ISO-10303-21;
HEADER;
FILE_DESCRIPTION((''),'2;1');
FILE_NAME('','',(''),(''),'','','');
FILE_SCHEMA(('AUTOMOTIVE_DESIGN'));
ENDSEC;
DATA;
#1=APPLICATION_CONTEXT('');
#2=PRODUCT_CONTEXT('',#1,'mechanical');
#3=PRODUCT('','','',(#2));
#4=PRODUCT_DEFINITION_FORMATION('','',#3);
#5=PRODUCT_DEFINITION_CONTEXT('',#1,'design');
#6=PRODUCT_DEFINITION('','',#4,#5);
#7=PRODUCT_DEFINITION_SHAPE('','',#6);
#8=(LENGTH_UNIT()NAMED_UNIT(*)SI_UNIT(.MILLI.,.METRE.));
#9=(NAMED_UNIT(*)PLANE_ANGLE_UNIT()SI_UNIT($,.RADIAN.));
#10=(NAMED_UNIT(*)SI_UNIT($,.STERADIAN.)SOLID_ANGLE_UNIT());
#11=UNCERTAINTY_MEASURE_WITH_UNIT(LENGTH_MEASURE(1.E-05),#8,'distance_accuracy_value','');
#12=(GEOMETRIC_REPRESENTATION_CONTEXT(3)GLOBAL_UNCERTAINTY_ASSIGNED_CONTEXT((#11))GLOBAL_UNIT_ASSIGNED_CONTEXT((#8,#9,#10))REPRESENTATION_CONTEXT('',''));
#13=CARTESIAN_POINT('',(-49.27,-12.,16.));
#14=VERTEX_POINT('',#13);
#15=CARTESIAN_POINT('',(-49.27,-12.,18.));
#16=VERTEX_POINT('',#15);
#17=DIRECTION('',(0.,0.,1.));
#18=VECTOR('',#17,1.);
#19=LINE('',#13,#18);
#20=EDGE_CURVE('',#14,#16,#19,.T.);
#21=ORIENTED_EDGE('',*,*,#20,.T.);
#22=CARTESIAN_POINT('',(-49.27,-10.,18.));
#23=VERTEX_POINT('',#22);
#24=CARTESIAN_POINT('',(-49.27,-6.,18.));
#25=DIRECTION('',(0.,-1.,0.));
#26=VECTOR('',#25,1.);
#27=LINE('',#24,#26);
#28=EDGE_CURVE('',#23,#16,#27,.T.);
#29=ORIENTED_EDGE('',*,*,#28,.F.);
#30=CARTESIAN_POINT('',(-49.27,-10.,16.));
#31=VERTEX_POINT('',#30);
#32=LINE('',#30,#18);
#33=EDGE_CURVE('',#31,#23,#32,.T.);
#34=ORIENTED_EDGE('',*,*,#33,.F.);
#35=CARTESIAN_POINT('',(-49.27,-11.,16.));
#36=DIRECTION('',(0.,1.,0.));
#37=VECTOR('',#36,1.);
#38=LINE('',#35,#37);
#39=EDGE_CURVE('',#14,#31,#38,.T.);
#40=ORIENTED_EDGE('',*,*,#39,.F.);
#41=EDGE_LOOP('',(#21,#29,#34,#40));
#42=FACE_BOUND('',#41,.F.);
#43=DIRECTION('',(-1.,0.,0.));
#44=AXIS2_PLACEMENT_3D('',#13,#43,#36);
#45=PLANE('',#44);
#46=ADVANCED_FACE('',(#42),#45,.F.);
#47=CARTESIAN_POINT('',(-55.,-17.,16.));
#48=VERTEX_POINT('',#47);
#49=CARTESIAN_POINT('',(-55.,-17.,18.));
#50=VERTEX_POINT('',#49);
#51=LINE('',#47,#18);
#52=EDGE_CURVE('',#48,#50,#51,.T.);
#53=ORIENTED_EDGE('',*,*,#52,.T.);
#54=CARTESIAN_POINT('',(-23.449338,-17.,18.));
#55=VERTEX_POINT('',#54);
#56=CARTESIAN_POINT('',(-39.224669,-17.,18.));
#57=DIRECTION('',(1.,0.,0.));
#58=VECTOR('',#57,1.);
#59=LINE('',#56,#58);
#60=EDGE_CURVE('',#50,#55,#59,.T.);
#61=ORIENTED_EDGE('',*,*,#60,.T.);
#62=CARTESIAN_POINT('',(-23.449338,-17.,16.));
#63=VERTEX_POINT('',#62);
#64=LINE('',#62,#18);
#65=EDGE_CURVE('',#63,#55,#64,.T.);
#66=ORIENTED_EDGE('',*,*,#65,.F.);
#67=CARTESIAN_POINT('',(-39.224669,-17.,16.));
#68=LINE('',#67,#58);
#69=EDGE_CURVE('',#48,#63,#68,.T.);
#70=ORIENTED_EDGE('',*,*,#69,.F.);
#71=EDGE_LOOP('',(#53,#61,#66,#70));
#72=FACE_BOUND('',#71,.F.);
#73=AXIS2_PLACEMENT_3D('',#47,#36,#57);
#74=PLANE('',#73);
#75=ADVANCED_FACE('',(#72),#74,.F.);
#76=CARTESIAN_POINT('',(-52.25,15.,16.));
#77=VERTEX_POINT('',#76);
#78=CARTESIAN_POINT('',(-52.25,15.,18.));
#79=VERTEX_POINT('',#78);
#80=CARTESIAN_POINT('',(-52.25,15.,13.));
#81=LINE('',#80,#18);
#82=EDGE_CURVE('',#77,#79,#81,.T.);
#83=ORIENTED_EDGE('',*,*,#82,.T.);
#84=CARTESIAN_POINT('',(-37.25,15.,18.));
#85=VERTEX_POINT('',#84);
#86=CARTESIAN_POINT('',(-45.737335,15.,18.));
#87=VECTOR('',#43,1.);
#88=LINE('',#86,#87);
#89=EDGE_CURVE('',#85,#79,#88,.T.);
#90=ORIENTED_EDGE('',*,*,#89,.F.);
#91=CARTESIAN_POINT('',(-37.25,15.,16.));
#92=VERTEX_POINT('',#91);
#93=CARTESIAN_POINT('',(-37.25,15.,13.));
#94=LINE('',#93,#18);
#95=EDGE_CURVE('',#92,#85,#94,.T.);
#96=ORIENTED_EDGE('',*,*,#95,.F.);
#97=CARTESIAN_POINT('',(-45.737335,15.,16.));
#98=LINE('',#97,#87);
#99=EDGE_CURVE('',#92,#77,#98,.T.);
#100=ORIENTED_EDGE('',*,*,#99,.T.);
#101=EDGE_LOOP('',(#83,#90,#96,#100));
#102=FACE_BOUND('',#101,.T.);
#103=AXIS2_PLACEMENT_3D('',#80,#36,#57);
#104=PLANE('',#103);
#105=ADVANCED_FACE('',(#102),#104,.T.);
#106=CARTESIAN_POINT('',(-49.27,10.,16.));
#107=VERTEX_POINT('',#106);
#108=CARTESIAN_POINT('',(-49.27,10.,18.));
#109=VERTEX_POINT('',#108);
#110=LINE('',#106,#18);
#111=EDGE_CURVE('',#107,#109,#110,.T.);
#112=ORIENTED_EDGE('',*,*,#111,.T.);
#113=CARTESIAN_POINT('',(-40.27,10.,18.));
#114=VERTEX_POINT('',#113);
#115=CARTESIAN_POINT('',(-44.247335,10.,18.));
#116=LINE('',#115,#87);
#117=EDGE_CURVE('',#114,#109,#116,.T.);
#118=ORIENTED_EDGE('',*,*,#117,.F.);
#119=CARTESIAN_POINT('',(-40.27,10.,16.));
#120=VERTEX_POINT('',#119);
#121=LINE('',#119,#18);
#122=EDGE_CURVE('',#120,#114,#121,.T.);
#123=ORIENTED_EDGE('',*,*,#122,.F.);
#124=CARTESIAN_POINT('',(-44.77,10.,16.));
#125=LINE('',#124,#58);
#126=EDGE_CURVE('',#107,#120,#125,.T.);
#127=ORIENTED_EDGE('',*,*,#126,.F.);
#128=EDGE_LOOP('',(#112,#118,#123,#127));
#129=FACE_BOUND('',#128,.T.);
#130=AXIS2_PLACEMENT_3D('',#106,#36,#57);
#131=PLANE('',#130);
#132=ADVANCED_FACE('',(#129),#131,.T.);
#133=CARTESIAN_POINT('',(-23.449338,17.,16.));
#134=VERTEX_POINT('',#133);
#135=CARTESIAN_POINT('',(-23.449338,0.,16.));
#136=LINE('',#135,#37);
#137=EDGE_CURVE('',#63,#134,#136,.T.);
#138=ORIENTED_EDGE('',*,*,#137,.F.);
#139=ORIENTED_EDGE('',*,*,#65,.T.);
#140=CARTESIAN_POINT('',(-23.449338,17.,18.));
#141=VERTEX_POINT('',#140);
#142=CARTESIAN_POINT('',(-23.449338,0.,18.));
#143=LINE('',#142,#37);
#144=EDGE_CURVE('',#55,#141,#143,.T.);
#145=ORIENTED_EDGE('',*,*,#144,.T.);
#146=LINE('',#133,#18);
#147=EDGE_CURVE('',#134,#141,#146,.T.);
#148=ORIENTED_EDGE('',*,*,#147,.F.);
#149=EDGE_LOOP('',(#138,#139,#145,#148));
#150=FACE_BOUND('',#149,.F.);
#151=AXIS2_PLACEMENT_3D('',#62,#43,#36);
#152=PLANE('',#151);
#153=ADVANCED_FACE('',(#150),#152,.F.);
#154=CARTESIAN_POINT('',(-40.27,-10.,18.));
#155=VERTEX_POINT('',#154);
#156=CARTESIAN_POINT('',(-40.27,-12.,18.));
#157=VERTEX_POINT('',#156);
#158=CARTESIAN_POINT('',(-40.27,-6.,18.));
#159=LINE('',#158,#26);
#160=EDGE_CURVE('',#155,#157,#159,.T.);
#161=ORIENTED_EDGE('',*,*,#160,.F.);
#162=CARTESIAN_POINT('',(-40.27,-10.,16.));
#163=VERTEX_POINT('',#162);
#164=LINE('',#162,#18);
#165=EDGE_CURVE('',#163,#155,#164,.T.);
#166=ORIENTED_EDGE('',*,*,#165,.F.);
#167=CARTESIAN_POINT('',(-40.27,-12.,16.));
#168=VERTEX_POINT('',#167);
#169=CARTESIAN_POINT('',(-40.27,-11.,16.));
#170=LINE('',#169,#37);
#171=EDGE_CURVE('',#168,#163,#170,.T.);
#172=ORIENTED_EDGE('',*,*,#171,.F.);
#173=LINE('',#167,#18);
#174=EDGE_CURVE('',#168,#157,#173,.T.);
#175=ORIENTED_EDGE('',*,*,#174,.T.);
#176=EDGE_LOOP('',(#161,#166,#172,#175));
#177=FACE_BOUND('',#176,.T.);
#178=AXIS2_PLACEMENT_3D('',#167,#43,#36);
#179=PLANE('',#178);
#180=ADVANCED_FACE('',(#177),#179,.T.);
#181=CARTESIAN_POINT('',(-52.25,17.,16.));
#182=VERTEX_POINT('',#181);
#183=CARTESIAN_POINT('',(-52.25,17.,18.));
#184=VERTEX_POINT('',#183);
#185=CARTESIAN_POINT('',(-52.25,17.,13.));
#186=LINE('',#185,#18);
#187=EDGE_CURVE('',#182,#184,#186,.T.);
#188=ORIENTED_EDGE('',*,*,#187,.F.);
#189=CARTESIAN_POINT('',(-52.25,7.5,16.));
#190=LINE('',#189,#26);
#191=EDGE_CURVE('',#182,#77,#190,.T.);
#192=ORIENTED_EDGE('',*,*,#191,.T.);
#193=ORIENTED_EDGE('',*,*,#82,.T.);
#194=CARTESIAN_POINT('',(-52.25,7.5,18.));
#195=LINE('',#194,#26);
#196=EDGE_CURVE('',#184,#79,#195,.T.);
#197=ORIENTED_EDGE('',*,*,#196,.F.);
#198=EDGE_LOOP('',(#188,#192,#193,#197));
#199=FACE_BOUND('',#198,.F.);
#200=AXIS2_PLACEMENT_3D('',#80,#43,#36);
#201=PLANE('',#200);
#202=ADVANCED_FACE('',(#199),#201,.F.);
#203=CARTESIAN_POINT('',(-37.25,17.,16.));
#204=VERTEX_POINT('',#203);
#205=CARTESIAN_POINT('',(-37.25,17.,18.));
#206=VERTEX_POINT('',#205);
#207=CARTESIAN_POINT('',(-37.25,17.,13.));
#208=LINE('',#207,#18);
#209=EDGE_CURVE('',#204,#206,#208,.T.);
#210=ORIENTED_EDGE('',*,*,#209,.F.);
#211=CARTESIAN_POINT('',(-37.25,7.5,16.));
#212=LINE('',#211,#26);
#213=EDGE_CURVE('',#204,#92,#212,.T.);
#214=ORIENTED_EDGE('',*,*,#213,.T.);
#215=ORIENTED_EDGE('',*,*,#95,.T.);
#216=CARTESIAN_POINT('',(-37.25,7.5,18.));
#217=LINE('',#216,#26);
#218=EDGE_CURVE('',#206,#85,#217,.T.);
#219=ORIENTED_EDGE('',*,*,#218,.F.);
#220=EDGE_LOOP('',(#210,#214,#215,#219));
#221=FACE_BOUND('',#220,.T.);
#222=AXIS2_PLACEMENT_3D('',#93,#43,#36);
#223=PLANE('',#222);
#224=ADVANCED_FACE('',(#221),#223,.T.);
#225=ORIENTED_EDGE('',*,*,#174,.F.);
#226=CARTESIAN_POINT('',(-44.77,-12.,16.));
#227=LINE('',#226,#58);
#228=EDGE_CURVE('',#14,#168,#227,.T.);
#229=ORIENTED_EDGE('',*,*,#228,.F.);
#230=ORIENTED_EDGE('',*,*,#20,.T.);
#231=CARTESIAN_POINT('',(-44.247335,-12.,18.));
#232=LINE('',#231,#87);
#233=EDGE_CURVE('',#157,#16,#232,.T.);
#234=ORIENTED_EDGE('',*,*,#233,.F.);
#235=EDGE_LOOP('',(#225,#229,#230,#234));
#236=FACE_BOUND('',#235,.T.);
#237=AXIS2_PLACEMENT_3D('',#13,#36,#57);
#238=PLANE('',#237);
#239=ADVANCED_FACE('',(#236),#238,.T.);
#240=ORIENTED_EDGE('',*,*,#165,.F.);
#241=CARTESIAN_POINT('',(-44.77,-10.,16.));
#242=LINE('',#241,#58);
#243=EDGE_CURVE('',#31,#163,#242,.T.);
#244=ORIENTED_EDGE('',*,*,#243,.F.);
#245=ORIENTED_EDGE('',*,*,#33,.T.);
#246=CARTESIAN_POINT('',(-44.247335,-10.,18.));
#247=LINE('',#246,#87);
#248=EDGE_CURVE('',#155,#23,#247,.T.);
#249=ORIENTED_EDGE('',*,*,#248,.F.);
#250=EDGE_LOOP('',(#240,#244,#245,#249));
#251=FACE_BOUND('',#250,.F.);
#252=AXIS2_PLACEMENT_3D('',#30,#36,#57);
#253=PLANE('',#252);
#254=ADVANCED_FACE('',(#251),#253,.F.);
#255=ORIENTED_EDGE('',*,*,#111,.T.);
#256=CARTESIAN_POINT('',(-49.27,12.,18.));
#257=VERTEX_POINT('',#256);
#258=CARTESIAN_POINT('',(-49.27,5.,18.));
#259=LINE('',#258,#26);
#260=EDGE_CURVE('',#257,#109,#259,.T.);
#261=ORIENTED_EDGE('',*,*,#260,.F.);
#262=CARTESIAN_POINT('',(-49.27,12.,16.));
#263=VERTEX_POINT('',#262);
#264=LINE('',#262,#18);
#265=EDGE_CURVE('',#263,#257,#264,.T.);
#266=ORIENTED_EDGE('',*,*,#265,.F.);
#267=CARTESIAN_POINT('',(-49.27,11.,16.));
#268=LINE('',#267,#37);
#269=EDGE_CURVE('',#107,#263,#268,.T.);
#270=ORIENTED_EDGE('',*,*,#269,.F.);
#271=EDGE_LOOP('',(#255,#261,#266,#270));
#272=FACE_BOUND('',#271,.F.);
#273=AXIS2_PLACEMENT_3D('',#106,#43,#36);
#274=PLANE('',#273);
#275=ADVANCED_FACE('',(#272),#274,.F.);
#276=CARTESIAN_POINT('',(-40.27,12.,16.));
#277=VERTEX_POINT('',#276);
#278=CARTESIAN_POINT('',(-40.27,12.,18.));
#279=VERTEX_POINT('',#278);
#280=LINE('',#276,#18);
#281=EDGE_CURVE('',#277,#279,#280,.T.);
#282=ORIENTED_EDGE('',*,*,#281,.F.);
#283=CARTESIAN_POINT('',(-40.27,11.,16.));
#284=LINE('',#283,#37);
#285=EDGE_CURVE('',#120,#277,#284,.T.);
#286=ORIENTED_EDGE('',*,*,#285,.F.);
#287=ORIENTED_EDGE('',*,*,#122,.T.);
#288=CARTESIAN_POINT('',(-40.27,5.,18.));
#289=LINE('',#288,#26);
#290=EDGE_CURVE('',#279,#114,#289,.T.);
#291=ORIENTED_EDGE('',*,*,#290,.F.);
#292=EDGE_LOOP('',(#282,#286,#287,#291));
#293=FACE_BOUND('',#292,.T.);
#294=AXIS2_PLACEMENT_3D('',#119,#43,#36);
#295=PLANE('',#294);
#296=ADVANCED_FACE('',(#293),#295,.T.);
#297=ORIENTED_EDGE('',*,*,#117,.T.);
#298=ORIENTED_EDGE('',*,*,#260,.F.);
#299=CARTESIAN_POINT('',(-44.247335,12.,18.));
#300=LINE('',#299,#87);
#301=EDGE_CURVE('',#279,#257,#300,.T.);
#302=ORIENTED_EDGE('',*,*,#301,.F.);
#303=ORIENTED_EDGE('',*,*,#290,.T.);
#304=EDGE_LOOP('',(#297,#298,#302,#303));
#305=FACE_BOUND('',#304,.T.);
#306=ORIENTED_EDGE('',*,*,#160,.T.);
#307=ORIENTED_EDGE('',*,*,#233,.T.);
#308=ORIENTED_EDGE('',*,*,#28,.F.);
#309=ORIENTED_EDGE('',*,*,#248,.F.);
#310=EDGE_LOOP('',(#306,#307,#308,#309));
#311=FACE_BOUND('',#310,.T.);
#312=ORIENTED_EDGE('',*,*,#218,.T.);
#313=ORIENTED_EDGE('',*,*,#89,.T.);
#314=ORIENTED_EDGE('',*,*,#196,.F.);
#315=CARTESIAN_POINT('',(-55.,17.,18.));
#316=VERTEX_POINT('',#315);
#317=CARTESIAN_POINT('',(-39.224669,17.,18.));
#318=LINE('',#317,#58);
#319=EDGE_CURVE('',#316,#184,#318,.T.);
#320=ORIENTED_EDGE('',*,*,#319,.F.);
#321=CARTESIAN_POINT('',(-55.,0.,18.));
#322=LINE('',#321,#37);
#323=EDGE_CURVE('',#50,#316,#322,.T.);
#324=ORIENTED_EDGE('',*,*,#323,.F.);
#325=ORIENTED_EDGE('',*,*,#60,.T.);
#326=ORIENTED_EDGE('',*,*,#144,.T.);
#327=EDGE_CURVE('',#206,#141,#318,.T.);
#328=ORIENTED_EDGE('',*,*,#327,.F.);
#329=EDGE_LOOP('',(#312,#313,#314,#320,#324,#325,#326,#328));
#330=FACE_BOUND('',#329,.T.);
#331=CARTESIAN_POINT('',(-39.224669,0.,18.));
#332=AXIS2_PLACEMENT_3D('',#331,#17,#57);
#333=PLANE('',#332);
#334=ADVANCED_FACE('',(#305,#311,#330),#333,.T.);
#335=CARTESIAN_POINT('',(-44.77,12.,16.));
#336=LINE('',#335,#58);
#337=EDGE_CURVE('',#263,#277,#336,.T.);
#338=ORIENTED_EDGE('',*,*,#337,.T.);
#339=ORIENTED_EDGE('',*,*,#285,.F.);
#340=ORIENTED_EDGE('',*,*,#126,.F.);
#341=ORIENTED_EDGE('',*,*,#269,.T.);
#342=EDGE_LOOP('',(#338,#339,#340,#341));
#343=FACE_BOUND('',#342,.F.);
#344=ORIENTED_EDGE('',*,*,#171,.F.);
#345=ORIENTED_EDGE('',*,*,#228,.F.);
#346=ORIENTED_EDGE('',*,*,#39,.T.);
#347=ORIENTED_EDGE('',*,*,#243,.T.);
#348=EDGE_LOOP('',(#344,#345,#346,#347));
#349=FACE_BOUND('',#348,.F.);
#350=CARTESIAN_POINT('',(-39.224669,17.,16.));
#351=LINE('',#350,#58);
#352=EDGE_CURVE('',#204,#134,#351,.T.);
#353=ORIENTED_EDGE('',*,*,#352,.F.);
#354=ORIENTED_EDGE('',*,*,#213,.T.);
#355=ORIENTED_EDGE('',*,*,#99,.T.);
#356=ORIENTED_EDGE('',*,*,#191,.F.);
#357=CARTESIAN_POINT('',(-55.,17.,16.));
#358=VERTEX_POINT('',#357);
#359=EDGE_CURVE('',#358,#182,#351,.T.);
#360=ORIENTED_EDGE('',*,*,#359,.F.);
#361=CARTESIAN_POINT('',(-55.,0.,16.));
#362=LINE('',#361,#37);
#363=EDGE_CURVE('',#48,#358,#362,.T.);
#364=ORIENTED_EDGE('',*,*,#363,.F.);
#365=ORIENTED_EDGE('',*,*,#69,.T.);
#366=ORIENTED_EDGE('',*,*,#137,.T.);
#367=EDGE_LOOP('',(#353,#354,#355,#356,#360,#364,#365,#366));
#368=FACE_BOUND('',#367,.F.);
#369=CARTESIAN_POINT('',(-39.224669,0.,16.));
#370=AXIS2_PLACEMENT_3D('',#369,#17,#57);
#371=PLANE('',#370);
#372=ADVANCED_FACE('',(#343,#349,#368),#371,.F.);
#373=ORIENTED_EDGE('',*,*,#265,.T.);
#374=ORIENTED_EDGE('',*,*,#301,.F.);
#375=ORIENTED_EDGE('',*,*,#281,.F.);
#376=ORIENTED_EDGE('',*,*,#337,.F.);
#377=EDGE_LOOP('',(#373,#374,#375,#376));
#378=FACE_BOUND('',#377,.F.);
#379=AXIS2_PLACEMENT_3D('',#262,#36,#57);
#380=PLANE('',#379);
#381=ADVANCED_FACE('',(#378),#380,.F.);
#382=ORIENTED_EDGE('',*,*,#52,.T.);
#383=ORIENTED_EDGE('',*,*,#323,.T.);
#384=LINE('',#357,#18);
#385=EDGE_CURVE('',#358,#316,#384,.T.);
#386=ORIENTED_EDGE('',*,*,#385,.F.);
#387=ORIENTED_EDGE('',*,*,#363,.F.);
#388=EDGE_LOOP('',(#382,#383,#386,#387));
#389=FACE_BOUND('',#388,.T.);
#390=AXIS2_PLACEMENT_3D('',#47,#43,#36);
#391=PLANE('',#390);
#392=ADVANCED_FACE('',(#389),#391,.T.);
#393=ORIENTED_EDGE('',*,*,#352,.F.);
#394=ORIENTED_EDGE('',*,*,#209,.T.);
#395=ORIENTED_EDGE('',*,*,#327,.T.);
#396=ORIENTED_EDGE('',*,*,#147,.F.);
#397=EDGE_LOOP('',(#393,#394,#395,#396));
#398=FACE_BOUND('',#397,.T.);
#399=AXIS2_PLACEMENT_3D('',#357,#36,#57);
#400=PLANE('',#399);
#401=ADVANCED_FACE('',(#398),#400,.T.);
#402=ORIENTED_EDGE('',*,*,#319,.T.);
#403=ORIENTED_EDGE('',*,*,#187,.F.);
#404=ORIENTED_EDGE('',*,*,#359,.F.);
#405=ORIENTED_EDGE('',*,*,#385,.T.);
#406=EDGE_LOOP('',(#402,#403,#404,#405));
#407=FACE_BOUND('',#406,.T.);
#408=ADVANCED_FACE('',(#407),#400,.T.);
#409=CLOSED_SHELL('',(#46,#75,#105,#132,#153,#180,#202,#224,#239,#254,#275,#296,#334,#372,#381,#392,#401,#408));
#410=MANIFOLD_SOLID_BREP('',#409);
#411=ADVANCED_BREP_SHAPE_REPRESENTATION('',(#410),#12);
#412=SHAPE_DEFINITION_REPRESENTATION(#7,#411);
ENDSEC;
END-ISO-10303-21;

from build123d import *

# Parameters (mm, degrees)
SKETCH328_W      = 15
SKETCH328_H      = 2
EXTRUDE197_DEPTH = 10
SKETCH327_W      = 9
SKETCH327_H      = 2
EXTRUDE196_DEPTH = 3
SKETCH326_W      = 31.550661
SKETCH326_H      = 34
EXTRUDE195_DEPTH = 2


with BuildPart() as extrude197:
    # Sketch328 → Extrude197 (new body)
    with BuildSketch(Plane(origin=(24.75, 6, 23), x_dir=(1, 0, 0), z_dir=(0, 0, 1))):
        with Locations((-69.5, 10)):
            Rectangle(SKETCH328_W, SKETCH328_H)
    extrude(amount=EXTRUDE197_DEPTH)


with BuildPart() as extrude197_1:
    # Extrude197 placement: moved
    add(extrude197.part.moved(Location((0, 0, -10))))


with BuildPart() as extrude196:
    # Sketch327 → Extrude196 (new body)
    with BuildSketch(Plane(origin=(-0.27, 0, 26), x_dir=(1, 0, 0), z_dir=(0, 0, 1))):
        with Locations((-44.5, 11)):
            Rectangle(SKETCH327_W, SKETCH327_H)
        with Locations((-44.5, -11)):
            Rectangle(SKETCH327_W, SKETCH327_H)
    extrude(amount=EXTRUDE196_DEPTH)


with BuildPart() as speedrig_upper:
    # Sketch326 → Extrude195 (new body)
    with BuildSketch(Plane.XY.offset(26)):
        with Locations((-39.224669, 0)):
            Rectangle(SKETCH326_W, SKETCH326_H)
    extrude(amount=EXTRUDE195_DEPTH)

    # Cut104: cut Extrude196
    add(extrude196.part, mode=Mode.SUBTRACT)


with BuildPart() as speedrig_upper_1:
    # Cut104 placement: moved
    add(speedrig_upper.part.moved(Location((0, 0, -10))))

    # Cut105: cut Extrude197
    add(extrude197_1.part, mode=Mode.SUBTRACT)


solid = speedrig_upper_1.part
